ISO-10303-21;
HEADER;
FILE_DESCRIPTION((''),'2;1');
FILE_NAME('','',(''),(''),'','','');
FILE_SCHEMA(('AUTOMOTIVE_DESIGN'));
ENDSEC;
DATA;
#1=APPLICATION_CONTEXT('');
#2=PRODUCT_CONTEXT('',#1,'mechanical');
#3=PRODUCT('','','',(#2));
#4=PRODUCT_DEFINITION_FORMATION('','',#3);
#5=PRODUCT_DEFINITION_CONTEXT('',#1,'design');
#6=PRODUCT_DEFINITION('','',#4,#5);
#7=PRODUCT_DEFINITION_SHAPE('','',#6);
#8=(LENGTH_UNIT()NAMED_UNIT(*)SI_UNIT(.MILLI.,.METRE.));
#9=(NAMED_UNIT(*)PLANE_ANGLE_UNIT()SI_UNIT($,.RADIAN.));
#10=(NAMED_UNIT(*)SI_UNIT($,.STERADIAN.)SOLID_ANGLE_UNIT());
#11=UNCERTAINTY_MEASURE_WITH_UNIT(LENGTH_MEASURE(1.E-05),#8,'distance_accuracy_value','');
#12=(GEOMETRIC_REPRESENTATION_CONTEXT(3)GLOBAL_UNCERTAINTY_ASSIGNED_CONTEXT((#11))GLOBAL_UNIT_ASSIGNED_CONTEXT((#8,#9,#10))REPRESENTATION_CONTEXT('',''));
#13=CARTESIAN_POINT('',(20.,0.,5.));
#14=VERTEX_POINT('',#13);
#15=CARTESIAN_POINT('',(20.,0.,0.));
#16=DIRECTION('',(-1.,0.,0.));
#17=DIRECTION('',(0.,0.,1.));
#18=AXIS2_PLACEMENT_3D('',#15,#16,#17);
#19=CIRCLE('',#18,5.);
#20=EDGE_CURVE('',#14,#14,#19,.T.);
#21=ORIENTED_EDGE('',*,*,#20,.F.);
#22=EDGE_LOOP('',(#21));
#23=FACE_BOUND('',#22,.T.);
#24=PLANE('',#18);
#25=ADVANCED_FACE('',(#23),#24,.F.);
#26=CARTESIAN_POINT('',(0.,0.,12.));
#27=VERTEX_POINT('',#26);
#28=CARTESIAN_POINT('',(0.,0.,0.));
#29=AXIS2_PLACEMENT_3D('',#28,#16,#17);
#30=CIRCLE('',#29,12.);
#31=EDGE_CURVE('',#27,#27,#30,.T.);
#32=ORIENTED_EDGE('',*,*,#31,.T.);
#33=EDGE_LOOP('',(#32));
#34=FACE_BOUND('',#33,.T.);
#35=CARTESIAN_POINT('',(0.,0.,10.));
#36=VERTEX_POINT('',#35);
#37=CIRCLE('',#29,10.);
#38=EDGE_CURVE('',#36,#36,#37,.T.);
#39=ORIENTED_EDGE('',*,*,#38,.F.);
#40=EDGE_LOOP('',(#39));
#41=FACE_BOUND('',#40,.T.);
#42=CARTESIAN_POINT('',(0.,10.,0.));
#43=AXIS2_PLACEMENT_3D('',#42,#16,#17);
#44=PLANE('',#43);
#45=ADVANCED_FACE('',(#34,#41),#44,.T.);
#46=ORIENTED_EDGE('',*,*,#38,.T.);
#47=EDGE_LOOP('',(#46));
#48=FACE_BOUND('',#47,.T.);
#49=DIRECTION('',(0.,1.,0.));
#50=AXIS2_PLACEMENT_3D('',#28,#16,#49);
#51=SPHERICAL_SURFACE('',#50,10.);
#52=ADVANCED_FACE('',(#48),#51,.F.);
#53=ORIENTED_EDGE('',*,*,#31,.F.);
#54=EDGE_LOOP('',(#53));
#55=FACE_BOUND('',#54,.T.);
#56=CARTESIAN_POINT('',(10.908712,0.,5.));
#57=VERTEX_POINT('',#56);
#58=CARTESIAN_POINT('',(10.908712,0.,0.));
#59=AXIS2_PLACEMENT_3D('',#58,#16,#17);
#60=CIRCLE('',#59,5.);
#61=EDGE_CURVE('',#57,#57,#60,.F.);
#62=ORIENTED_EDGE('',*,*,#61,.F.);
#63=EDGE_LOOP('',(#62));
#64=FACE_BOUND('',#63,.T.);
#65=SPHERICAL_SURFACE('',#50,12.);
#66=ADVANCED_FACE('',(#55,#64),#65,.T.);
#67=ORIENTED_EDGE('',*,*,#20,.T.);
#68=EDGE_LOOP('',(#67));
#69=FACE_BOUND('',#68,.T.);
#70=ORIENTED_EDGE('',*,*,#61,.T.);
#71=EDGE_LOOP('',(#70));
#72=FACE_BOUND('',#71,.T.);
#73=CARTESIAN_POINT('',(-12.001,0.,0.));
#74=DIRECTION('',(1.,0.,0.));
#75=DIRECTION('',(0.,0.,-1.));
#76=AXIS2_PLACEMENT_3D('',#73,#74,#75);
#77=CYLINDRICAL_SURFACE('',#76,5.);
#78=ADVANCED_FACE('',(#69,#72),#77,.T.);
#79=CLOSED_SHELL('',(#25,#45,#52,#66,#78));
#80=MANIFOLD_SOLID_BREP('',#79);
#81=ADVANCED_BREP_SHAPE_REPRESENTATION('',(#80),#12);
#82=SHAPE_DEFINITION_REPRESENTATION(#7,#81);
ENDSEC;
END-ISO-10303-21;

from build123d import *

# Parameters (mm, degrees)
BOSS_EXTRUDE2_START             = -15
SKETCH4_R                       = 5
BOSS_EXTRUDE2_DEPTH             = 5
BOSS_EXTRUDE2_DIRECTION_2_REACH = 37.785


with BuildPart() as part:
    # Sketch3 → Revolve-Thin2 (revolve)
    with BuildSketch(Plane.XY):
        with BuildLine():
            ThreePointArc((10, 0), (7.071067812, 7.071067812), (0, 10))
            Line((0, 10), (0, 12))
            ThreePointArc((0, 12), (8.485281374, 8.485281374), (12, 0))
            Line((12, 0), (10, 0))
        make_face()
    revolve(axis=Axis((0, 0, 0), (1, 0, 0)))

    # Sketch4 → Boss-Extrude2 (add)
    with BuildSketch(Plane.ZY.offset(BOSS_EXTRUDE2_START)):
        Circle(SKETCH4_R)
    extrude(amount=-BOSS_EXTRUDE2_DEPTH)

    # Sketch4 → Boss-Extrude2 direction 2 (add, up to next)
    with BuildSketch(Plane.ZY.offset(BOSS_EXTRUDE2_START), mode=Mode.PRIVATE) as boss_extrude2_direction_2_sk1:
        Circle(SKETCH4_R)
    boss_extrude2_direction_2_tool1 = extrude(boss_extrude2_direction_2_sk1.sketch, amount=BOSS_EXTRUDE2_DIRECTION_2_REACH, mode=Mode.PRIVATE) - part.part
    add(boss_extrude2_direction_2_tool1.solids().sort_by_distance((15, 0, 0))[0])


solid = part.part
